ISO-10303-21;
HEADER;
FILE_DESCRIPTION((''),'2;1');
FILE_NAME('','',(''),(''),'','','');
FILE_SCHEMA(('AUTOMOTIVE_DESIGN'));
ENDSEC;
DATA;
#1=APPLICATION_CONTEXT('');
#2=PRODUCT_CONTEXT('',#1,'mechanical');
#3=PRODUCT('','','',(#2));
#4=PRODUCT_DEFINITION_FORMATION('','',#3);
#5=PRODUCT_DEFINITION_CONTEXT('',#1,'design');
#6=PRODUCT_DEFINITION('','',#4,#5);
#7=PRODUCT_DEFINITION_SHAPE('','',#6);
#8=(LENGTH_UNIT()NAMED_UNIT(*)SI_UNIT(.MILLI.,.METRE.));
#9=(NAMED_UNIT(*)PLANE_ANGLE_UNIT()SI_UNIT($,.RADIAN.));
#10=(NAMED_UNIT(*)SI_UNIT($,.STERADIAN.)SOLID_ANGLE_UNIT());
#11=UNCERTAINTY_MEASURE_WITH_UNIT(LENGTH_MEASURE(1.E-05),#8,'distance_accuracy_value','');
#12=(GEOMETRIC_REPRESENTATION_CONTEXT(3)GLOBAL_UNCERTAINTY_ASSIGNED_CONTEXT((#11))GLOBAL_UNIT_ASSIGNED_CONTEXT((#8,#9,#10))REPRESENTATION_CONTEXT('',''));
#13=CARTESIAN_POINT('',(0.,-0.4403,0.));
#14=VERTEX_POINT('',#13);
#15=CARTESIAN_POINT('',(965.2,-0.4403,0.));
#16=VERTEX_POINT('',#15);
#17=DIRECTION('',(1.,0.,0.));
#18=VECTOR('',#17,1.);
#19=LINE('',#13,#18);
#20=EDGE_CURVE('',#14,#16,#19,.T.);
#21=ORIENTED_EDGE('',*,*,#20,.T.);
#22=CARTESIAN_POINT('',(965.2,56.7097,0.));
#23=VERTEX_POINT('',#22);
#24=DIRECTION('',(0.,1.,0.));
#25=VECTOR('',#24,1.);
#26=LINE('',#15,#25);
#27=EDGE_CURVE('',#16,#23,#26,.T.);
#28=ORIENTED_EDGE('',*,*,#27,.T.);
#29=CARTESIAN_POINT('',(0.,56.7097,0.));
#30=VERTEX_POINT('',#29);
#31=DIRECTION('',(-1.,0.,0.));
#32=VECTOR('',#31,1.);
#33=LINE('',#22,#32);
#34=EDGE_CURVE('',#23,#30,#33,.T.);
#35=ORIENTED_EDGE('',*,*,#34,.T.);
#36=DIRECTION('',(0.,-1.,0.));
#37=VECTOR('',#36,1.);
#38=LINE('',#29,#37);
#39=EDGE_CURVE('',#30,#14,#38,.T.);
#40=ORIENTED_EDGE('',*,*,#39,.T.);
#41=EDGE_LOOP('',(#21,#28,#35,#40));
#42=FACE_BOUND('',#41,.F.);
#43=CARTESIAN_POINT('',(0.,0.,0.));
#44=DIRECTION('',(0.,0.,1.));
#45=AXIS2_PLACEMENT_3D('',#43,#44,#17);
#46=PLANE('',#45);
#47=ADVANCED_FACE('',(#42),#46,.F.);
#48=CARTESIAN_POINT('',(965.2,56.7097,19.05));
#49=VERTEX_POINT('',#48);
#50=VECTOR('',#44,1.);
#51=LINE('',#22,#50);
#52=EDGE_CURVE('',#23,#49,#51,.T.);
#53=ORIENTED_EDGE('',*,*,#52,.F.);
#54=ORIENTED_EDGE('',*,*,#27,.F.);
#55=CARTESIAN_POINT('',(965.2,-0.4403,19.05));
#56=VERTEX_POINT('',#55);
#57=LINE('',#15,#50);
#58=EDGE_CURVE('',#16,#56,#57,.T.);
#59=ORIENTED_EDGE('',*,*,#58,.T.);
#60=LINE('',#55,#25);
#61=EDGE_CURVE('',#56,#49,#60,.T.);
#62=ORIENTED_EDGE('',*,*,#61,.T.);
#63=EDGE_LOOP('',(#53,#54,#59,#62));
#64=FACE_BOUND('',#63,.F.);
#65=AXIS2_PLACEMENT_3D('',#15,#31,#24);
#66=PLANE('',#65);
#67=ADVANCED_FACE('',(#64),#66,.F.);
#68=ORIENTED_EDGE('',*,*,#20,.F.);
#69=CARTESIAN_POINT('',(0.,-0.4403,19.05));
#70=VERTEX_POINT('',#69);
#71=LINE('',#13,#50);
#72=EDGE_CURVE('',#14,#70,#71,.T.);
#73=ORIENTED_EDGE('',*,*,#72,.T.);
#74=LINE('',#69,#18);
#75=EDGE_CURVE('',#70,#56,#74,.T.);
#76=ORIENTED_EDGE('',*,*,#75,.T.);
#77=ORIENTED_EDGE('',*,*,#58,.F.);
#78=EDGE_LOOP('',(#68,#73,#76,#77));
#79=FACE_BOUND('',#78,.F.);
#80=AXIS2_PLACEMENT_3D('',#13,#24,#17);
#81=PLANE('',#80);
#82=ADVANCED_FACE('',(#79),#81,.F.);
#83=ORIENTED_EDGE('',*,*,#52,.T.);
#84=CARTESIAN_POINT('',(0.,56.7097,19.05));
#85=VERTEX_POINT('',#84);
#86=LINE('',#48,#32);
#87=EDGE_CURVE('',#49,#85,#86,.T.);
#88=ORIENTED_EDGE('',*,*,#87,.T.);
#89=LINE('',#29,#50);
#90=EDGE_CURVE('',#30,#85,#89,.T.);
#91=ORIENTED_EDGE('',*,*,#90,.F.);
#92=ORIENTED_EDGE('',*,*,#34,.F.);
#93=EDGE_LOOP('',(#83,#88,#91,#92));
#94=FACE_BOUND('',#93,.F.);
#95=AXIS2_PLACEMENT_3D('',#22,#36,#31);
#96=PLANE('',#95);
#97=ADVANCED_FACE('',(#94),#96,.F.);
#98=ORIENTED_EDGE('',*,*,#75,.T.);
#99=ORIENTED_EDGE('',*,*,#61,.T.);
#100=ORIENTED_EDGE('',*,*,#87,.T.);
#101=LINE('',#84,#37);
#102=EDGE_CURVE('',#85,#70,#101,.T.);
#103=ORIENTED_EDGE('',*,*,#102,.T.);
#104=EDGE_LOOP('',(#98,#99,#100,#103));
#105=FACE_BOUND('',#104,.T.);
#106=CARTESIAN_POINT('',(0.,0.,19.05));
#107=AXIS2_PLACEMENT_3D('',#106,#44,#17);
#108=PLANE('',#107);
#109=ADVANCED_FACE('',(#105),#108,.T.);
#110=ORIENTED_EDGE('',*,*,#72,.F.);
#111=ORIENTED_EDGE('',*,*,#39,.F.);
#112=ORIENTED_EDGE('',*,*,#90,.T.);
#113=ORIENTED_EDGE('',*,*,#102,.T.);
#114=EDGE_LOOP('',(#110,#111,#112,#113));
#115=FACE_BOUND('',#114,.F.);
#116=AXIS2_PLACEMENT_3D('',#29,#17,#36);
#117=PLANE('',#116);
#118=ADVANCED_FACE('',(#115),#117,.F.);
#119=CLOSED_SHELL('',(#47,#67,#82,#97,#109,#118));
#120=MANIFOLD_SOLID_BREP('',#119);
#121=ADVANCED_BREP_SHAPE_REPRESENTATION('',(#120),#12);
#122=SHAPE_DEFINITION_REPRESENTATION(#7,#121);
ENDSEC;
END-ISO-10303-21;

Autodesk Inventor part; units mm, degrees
ref_plane "YZ Plane" through (0, 0, 0) normal (1, 0, 0) x (0, 1, 0)
ref_plane "XZ Plane" through (0, 0, 0) normal (0, 1, 0) x (-1, 0, 0)
ref_plane "XY Plane" through (0, 0, 0) normal (0, 0, 1) x (1, 0, 0)
sketch "Sketch1" plane through (0, 0, 0) normal (0, 0, 1) x (1, 0, 0)
  line L0 (965.2, 56.7097) -> (0, 56.7097)
  line L1 (965.2, 56.7097) -> (0, 56.7097)
  line L2 (0, 56.7097) -> (0, -0.4403)
  line L3 (0, -0.4403) -> (965.2, -0.4403)
  line L4 (965.2, -0.4403) -> (965.2, 56.7097)
  point P0 (0, 0)
extrude "Extrusion1" add sketch "Sketch1" along normal blind 19.05
properties part number "nd-4"
